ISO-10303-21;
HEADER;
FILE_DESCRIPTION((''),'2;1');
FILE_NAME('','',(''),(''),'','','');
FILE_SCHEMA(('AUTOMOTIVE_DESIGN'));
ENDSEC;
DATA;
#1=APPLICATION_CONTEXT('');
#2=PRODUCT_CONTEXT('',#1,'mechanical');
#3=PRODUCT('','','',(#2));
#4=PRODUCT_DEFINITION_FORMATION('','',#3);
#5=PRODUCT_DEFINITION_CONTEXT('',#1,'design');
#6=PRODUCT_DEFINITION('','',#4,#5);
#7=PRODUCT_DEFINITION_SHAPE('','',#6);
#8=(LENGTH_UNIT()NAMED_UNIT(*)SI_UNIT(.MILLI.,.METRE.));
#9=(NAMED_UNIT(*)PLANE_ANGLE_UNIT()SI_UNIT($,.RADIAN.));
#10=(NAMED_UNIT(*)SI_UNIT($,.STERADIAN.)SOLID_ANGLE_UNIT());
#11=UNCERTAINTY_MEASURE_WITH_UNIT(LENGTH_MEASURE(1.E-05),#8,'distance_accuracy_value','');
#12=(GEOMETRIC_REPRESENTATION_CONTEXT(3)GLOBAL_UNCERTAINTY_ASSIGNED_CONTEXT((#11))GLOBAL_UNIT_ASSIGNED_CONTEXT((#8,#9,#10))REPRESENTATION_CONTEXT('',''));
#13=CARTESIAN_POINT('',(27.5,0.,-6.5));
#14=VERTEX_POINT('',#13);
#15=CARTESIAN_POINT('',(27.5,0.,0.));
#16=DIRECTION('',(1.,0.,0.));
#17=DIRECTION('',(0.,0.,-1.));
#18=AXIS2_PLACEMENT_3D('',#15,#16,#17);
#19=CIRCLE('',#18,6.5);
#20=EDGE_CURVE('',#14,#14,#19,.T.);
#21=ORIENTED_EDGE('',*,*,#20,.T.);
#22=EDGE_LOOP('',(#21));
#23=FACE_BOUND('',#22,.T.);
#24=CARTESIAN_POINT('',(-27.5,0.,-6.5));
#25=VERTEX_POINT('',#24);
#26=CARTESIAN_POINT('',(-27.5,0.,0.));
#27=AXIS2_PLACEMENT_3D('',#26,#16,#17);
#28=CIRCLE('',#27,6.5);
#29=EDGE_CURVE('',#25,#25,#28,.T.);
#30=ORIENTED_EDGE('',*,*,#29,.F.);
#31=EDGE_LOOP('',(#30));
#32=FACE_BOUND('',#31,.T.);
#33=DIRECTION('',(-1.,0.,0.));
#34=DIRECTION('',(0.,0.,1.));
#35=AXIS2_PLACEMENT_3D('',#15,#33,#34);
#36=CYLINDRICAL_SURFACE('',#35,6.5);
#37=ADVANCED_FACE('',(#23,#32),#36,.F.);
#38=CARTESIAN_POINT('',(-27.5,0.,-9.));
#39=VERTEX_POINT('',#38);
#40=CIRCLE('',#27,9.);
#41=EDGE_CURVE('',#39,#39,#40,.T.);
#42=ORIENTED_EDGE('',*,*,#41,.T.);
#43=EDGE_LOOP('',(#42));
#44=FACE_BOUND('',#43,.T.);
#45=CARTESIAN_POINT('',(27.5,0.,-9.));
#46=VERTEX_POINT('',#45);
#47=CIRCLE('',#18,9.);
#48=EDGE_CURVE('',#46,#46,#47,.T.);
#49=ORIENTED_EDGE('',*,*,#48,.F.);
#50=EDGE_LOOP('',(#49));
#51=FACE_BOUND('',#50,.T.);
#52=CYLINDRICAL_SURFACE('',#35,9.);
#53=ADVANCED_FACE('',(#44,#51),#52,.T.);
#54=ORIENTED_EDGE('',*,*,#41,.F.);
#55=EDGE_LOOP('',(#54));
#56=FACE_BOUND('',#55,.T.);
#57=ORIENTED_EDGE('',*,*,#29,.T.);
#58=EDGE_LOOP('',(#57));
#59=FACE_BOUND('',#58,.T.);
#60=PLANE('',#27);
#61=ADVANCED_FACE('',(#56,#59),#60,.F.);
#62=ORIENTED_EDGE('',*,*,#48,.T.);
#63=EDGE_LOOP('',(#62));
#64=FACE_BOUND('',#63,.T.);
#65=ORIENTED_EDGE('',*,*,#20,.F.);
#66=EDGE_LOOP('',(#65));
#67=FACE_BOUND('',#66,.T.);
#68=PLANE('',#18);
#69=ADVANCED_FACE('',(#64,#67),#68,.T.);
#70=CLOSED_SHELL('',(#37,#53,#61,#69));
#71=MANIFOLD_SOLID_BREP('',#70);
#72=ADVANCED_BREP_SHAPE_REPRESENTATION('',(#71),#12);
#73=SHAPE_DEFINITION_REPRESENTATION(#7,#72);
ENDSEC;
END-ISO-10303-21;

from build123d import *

# Parameters (mm, degrees)
SKETCH2_R           = 9
SKETCH2_R_2         = 6.5
BOSS_EXTRUDE1_DEPTH = 27.5


with BuildPart() as part:
    # Sketch2 → Boss-Extrude1 (new body, symmetric)
    with BuildSketch(Plane(origin=(0, 0, 0), x_dir=(0, 0, -1), z_dir=(1, 0, 0))):
        Circle(SKETCH2_R)
        Circle(SKETCH2_R_2, mode=Mode.SUBTRACT)
    extrude(amount=BOSS_EXTRUDE1_DEPTH, both=True)


solid = part.part
